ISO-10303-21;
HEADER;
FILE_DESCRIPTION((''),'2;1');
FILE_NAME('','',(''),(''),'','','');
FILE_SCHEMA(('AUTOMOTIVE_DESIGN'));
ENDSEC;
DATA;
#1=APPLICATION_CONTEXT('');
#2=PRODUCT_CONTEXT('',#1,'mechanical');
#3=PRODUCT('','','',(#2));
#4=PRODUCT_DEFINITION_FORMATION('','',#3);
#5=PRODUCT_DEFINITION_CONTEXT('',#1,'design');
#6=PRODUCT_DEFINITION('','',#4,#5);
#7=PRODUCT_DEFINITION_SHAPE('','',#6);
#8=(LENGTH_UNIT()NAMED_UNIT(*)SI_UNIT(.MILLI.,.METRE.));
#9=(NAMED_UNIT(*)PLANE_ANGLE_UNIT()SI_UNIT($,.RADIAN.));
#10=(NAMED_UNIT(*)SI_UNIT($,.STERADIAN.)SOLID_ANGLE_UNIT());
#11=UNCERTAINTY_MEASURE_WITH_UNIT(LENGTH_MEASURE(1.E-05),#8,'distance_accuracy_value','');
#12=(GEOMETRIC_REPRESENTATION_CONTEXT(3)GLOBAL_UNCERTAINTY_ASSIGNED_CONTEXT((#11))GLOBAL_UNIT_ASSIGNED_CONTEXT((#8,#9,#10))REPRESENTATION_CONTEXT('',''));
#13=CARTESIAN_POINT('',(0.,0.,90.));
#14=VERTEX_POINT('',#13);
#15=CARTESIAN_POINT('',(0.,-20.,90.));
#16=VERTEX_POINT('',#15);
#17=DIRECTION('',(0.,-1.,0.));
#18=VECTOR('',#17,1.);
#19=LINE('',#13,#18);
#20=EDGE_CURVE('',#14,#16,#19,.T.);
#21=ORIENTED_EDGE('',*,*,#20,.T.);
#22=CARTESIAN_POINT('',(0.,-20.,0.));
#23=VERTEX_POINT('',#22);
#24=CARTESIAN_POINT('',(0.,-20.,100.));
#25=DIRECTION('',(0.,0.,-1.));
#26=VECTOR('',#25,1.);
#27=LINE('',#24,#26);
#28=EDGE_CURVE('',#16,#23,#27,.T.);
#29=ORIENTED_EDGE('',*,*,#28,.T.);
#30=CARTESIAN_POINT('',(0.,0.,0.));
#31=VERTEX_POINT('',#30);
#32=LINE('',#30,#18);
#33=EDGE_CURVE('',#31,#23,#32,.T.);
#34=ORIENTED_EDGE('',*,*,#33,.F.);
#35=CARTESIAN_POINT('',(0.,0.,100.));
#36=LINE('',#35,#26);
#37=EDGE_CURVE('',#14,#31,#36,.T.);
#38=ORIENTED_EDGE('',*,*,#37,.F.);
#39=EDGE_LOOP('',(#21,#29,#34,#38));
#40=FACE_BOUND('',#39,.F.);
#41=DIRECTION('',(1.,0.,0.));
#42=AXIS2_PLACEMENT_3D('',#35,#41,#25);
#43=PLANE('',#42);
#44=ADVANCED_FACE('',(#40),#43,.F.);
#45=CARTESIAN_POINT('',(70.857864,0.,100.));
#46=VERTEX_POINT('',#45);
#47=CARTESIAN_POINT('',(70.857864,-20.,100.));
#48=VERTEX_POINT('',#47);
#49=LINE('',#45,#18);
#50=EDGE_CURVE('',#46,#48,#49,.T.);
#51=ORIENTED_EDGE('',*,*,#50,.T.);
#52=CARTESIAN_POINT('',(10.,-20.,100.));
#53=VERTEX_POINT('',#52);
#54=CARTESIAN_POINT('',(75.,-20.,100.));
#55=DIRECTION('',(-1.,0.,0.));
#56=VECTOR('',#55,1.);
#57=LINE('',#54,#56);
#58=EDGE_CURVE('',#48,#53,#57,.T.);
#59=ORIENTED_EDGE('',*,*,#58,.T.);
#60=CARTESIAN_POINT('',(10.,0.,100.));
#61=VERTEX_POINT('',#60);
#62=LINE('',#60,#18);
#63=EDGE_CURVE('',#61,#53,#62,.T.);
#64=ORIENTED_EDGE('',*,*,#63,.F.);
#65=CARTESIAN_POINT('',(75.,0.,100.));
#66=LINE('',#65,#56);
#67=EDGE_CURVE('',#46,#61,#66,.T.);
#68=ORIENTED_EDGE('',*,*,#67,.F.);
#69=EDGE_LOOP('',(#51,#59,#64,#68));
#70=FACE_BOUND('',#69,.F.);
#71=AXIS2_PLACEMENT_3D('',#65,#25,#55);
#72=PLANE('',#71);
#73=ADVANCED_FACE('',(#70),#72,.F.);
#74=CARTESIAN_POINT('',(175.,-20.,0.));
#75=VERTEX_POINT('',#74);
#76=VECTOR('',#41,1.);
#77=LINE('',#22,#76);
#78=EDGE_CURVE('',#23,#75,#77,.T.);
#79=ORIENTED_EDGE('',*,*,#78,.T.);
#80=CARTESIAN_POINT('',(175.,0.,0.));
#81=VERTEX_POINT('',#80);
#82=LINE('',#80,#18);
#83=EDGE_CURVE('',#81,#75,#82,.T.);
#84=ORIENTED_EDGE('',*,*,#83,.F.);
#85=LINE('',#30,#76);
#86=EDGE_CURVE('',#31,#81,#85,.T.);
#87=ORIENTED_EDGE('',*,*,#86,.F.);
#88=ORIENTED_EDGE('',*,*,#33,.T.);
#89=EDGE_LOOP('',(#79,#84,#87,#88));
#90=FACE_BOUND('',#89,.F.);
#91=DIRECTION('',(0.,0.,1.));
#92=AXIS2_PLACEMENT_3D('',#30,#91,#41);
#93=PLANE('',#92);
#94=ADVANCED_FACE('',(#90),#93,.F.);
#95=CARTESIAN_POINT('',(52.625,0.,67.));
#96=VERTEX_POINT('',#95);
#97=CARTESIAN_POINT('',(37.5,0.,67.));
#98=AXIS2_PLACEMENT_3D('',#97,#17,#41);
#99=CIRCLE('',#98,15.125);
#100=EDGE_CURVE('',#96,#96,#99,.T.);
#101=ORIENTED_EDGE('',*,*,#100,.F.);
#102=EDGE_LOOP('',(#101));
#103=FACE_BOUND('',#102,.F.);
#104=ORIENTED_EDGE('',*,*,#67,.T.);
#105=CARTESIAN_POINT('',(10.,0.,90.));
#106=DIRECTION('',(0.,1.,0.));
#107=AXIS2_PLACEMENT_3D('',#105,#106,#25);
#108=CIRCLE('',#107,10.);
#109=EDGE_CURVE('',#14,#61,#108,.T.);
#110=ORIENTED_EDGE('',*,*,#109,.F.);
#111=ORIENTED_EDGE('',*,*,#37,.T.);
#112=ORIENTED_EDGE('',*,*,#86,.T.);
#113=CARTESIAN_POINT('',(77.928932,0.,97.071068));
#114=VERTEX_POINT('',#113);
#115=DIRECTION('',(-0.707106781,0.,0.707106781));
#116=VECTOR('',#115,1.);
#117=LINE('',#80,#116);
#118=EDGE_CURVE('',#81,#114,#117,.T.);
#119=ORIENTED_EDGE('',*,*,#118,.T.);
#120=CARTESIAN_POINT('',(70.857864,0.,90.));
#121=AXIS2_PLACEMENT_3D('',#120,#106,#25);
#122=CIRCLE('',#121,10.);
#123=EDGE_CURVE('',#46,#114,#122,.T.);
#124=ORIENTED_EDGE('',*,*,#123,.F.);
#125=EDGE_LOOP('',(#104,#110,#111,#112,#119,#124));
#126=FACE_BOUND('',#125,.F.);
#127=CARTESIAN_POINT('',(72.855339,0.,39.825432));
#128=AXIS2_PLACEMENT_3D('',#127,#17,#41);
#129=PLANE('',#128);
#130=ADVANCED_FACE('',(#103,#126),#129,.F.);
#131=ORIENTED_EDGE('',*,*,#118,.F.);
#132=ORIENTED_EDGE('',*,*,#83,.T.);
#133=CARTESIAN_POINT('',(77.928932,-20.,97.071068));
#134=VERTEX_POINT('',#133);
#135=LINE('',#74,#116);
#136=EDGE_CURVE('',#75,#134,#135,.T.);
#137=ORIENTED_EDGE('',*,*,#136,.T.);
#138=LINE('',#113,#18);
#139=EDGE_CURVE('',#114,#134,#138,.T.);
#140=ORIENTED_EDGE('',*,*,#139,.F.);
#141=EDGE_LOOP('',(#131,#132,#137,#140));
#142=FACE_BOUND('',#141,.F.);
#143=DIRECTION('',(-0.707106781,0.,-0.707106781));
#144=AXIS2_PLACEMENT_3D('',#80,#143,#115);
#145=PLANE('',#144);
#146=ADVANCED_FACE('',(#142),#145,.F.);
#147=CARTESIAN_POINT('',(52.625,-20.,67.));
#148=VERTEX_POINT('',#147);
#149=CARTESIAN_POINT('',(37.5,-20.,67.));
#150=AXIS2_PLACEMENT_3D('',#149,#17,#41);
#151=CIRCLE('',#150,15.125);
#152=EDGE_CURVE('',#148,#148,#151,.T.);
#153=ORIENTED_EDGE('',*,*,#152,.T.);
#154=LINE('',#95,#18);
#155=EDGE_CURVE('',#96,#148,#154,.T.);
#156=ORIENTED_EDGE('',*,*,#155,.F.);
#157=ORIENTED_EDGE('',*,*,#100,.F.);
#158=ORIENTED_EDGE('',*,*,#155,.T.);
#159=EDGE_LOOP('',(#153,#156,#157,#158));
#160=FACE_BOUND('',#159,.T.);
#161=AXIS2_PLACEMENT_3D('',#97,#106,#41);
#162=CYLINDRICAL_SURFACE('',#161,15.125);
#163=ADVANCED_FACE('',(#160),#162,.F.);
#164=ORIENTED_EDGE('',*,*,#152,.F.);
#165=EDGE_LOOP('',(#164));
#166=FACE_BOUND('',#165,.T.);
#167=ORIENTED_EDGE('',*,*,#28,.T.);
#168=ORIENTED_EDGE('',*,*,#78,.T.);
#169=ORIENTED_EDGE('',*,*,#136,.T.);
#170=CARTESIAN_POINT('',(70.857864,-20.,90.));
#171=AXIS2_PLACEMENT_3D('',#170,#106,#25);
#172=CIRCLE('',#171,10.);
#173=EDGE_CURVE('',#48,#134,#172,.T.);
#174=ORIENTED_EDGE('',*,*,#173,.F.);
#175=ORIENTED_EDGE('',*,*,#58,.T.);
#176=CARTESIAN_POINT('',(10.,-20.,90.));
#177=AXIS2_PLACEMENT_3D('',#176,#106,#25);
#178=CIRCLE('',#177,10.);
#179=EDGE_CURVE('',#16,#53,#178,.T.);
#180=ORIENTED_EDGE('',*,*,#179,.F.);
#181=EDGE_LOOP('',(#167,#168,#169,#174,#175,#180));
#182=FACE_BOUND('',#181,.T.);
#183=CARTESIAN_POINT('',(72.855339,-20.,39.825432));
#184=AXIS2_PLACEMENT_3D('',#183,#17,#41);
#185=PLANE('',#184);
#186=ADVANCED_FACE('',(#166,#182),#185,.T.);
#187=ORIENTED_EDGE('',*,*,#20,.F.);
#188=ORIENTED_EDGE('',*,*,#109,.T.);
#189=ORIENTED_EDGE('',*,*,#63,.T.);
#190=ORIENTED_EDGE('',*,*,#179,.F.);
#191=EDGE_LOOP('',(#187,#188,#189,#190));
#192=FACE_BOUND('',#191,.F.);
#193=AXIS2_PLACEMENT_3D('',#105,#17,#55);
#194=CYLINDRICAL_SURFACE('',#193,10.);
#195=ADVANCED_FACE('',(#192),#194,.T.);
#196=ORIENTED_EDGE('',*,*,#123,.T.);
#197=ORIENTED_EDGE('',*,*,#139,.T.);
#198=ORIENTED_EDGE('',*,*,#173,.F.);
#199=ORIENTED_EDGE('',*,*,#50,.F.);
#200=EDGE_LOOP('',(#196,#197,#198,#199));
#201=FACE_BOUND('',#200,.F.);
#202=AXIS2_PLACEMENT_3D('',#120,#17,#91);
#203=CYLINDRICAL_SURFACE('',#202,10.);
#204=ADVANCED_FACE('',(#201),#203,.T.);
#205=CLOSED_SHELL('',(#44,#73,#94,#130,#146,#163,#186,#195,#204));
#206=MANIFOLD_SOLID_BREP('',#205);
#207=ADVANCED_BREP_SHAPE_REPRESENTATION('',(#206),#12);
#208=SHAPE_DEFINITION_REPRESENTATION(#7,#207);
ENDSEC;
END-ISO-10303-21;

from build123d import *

# Parameters (mm, degrees)
F0_R     = 15.125
F1_DEPTH = 20
F2_R     = 10
F3_R     = 10


with BuildPart() as f1:
    # F0 (on Front) → F1 (new body)
    with BuildSketch(Plane.XZ):
        Polygon((0, 100), (0, 0), (150, 0), (175, 0), (75, 100), align=None)
        with Locations((37.5, 67)):
            Circle(F0_R, mode=Mode.SUBTRACT)
    extrude(amount=F1_DEPTH)

    # F2
    f2_edges = [f1.edges().sort_by_distance(p)[0] for p in [
        (0, -10, 100),
    ]]
    fillet(f2_edges, radius=F2_R)

    # F3
    f3_edges = [f1.edges().sort_by_distance(p)[0] for p in [
        (75, -10, 100),
    ]]
    fillet(f3_edges, radius=F3_R)


solid = f1.part
